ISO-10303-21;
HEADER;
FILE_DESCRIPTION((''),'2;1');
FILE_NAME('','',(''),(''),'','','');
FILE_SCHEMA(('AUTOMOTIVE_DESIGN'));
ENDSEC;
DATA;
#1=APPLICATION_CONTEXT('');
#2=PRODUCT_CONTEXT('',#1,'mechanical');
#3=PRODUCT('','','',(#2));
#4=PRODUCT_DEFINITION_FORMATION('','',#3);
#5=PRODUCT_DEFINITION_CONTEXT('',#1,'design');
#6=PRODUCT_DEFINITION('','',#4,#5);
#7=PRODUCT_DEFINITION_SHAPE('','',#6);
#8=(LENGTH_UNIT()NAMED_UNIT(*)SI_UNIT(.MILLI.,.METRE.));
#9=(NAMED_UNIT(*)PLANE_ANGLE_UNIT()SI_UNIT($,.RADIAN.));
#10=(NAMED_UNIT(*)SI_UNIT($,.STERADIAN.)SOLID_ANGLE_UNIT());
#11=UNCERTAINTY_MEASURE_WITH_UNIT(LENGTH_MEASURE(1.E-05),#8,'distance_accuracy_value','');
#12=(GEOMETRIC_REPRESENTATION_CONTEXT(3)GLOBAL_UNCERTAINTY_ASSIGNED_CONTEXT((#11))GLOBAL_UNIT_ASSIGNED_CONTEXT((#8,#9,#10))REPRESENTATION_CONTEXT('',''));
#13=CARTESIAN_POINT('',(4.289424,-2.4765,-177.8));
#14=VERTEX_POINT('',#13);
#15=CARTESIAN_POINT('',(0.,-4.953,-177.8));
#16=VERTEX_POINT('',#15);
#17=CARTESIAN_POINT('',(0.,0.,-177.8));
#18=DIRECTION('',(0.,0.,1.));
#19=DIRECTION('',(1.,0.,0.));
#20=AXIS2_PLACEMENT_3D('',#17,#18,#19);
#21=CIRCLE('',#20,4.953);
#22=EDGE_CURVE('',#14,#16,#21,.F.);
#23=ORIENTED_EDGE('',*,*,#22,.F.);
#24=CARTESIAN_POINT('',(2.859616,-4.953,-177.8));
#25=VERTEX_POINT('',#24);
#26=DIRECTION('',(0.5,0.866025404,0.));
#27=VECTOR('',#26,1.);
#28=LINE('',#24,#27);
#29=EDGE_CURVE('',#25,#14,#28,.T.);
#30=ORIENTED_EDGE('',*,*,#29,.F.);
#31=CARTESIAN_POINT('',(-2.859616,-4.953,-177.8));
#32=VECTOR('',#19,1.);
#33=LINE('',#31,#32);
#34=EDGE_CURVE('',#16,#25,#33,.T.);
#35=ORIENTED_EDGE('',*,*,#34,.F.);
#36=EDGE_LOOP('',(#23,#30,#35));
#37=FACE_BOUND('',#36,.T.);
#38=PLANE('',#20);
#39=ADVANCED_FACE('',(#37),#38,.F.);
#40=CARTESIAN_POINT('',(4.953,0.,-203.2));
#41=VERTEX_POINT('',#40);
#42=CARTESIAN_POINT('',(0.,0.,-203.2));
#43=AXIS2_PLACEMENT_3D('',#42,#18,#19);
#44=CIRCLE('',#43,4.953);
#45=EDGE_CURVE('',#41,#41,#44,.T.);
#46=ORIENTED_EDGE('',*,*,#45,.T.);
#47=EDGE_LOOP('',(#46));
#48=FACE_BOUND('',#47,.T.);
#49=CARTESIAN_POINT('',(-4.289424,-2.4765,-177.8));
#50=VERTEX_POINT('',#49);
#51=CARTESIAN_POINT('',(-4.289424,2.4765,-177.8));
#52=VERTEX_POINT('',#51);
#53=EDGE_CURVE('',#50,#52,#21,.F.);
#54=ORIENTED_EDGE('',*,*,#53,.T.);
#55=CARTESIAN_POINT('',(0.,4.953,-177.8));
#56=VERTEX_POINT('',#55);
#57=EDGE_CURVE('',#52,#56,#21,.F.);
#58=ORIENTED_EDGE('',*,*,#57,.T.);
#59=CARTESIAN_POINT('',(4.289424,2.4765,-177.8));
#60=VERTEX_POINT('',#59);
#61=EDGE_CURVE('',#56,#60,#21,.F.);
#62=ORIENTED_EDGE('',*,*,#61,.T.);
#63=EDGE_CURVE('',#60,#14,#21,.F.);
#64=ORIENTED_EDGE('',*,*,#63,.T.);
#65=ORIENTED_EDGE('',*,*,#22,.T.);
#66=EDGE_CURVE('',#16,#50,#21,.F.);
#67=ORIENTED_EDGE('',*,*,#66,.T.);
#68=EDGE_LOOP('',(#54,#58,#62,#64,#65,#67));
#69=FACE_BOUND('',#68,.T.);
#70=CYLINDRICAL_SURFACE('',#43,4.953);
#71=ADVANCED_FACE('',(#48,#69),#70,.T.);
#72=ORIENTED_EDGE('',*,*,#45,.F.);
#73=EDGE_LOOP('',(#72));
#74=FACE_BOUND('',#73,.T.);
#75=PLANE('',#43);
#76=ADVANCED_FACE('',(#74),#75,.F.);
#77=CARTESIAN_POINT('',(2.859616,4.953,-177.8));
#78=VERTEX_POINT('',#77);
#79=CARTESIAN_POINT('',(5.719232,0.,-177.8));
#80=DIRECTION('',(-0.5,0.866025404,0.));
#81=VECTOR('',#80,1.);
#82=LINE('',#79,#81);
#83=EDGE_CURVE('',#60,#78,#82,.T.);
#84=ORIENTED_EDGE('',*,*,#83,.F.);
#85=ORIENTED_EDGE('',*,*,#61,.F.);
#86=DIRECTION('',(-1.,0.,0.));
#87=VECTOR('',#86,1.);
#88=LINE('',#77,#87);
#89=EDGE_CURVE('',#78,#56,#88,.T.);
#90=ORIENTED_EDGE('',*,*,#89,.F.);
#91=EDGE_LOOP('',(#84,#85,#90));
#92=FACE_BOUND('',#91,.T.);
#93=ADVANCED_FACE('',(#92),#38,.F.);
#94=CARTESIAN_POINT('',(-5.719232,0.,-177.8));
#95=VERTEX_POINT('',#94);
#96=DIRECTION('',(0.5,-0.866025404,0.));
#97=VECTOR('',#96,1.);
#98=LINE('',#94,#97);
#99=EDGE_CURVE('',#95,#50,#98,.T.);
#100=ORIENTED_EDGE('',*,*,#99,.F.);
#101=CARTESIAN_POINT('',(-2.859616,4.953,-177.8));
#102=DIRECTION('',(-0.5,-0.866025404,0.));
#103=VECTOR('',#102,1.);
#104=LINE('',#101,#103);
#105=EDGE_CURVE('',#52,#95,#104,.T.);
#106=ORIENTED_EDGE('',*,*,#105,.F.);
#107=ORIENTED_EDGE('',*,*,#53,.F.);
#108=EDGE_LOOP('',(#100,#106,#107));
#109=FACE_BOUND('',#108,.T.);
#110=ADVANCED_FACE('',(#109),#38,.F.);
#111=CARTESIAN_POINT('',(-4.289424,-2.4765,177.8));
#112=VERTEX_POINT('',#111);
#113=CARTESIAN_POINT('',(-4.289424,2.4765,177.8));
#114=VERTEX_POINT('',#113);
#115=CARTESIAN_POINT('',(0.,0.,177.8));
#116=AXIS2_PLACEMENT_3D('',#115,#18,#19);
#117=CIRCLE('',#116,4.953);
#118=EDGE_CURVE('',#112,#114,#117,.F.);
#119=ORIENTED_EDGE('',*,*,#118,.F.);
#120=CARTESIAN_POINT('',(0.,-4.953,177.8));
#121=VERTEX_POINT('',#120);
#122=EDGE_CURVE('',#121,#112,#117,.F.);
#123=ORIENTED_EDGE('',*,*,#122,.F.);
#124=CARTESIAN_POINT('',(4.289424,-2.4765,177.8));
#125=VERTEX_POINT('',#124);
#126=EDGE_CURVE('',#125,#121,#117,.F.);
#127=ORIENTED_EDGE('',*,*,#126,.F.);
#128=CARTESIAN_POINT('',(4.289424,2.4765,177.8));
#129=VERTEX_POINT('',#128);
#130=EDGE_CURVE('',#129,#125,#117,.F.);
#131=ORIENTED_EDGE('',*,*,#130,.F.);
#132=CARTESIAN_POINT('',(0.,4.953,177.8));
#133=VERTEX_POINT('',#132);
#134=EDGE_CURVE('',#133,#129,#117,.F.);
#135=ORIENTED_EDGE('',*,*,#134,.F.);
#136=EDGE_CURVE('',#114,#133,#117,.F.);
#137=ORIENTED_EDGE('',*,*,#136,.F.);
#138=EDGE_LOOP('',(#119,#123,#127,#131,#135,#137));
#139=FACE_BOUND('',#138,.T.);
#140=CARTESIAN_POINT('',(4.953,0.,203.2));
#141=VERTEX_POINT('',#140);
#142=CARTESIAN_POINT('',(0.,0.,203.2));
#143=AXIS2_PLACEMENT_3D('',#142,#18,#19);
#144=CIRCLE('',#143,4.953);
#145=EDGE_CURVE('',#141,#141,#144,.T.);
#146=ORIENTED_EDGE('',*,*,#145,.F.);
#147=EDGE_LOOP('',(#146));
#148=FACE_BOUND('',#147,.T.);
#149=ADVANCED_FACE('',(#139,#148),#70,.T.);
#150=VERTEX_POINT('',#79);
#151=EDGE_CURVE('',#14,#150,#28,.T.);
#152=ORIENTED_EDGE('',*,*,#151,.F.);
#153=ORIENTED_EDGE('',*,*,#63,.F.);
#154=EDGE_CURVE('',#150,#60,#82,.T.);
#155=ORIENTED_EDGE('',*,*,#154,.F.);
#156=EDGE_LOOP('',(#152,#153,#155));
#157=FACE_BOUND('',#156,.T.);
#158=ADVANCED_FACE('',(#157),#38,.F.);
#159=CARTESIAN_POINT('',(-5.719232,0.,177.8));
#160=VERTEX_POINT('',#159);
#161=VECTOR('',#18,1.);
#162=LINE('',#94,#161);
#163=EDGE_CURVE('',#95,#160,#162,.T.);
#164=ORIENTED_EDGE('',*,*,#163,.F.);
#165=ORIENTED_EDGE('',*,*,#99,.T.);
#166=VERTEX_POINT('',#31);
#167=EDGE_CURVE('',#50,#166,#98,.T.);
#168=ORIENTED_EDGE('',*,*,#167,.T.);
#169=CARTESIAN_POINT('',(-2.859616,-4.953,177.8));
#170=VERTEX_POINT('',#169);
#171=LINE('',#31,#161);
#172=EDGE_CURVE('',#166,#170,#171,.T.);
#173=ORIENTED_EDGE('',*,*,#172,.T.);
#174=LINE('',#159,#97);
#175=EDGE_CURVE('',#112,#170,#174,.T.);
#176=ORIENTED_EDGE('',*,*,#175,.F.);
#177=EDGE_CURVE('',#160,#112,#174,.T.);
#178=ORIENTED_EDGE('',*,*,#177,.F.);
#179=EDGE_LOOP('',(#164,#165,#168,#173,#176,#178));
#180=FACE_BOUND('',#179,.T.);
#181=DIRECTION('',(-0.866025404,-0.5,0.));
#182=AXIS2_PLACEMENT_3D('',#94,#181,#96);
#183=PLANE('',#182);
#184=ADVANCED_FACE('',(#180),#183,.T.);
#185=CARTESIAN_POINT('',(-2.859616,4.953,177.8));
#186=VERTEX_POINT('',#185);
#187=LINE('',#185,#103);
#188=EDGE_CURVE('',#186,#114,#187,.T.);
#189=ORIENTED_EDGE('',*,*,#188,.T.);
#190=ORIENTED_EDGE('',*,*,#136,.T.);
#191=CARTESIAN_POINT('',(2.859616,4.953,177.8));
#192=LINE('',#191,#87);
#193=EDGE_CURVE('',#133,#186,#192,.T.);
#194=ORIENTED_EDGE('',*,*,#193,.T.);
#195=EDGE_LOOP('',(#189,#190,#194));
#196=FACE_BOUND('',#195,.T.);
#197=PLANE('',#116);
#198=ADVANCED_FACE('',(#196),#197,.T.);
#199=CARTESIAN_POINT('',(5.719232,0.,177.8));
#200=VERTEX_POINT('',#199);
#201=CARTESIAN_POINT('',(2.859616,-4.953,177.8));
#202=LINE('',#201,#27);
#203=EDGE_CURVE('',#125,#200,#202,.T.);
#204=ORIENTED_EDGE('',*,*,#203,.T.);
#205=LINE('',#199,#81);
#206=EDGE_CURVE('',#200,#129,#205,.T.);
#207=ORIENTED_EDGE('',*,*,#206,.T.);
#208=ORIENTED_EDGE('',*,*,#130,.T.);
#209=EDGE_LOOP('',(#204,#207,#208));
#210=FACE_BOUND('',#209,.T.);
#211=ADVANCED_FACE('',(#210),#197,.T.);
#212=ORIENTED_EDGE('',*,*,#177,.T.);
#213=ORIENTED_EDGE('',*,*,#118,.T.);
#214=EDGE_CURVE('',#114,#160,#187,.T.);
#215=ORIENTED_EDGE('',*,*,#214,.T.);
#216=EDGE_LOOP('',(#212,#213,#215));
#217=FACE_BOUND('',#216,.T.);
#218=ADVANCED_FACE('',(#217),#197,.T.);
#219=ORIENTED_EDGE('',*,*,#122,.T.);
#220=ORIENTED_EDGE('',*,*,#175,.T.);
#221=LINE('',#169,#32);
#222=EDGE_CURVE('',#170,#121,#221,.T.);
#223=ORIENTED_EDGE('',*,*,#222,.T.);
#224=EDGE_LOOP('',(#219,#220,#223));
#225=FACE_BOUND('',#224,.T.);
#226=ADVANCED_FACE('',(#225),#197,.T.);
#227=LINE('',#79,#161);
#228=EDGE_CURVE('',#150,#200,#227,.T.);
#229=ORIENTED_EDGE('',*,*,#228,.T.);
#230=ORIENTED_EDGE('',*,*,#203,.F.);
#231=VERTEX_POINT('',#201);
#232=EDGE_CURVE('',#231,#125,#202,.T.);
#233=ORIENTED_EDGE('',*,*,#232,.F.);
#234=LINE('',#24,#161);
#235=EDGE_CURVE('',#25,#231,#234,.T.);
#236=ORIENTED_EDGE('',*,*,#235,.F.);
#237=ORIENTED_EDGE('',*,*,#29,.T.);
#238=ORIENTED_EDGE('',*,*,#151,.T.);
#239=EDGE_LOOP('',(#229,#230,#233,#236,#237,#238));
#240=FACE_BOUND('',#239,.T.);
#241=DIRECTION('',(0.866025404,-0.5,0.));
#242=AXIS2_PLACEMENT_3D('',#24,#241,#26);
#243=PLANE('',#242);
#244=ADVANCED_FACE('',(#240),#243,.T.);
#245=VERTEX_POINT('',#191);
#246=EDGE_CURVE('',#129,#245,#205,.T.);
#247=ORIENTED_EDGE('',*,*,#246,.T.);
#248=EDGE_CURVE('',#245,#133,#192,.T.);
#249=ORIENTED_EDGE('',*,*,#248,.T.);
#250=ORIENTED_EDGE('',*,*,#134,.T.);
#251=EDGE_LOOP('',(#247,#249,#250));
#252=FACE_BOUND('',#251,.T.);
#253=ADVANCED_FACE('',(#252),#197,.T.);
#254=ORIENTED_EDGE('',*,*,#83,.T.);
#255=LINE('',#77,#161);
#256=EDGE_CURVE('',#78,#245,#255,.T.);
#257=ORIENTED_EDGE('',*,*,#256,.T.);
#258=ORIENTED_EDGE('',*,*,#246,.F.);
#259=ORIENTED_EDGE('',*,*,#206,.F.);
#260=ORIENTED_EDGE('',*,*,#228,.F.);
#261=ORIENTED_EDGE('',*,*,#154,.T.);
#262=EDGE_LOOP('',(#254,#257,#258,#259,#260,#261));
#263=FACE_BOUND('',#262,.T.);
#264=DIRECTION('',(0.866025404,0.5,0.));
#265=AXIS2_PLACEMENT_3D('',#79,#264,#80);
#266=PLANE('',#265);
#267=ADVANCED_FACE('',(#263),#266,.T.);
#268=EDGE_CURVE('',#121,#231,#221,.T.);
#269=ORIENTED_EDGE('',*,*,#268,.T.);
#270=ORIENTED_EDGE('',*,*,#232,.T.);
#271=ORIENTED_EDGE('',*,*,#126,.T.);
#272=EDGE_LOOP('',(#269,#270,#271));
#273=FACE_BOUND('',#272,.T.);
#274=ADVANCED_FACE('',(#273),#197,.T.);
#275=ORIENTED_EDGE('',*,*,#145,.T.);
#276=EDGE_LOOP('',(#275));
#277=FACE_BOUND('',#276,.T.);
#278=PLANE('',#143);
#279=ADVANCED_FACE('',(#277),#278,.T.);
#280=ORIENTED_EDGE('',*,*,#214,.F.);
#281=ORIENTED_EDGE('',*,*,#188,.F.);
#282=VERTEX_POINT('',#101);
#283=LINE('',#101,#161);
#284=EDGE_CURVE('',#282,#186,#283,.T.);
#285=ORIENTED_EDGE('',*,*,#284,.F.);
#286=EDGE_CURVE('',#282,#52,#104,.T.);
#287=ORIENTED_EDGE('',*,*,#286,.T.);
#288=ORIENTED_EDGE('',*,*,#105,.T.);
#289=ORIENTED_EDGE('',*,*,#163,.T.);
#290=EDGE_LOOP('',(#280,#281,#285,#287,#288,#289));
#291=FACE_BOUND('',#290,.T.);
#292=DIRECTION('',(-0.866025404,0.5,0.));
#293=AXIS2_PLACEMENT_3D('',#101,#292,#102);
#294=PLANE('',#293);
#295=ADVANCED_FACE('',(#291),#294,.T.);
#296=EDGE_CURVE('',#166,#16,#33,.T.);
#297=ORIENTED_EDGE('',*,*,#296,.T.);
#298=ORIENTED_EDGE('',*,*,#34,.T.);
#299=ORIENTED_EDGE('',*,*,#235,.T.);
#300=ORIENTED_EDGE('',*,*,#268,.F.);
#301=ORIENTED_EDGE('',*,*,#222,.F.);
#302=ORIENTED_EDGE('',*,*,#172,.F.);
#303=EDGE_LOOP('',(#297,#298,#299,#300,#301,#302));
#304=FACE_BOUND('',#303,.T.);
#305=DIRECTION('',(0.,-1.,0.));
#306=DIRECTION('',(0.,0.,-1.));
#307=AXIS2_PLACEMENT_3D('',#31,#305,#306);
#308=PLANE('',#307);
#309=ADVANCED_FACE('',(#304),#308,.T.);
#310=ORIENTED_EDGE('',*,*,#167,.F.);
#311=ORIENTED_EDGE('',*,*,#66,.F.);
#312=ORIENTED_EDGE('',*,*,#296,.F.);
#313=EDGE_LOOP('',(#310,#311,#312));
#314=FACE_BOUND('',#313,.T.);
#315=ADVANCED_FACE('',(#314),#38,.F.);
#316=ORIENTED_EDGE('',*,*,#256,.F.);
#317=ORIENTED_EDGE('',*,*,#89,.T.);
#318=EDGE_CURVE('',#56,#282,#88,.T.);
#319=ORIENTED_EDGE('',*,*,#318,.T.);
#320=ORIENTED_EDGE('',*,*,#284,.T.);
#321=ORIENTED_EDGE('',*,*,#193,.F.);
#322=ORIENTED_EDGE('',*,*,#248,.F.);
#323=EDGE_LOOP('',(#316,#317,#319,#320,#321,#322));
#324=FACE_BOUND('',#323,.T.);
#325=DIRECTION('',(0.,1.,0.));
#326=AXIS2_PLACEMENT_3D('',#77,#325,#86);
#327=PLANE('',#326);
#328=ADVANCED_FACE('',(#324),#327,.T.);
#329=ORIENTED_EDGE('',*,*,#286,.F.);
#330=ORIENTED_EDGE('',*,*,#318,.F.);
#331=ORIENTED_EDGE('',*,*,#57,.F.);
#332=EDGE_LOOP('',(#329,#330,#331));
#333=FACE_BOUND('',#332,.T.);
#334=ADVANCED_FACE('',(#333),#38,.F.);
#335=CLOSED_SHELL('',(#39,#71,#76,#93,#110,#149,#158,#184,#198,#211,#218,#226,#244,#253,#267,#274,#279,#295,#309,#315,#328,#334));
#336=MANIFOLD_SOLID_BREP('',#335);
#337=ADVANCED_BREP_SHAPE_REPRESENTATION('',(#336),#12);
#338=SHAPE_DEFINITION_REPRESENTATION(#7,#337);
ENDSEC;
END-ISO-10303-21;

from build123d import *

# Parameters (mm, degrees)
BOSS_EXTRUDE1_DEPTH      = 203.2
BOSS_EXTRUDE1_DEPTH_BACK = 203.2
SKETCH1_R                = 4.953
BOSS_EXTRUDE2_DEPTH      = 177.8
BOSS_EXTRUDE2_DEPTH_BACK = 177.8


with BuildPart() as part:
    # Sketch1 → Boss-Extrude1 (new, two sides: drawn at the far end of the back side and taken through both)
    with BuildSketch(Plane.XY.offset(-BOSS_EXTRUDE1_DEPTH_BACK)):
        Circle(SKETCH1_R)
    extrude(amount=BOSS_EXTRUDE1_DEPTH + BOSS_EXTRUDE1_DEPTH_BACK)

    # Sketch2 → Boss-Extrude2 (add, two sides: drawn at the far end of the back side and taken through both)
    with BuildSketch(Plane.XY.offset(-BOSS_EXTRUDE2_DEPTH_BACK)):
        Polygon((5.719231767, 0), (2.859615883, 4.953), (-2.859615883, 4.953), (-5.719231767, 0), (-2.859615883, -4.953), (2.859615883, -4.953), align=None)
    extrude(amount=BOSS_EXTRUDE2_DEPTH + BOSS_EXTRUDE2_DEPTH_BACK)


solid = part.part
